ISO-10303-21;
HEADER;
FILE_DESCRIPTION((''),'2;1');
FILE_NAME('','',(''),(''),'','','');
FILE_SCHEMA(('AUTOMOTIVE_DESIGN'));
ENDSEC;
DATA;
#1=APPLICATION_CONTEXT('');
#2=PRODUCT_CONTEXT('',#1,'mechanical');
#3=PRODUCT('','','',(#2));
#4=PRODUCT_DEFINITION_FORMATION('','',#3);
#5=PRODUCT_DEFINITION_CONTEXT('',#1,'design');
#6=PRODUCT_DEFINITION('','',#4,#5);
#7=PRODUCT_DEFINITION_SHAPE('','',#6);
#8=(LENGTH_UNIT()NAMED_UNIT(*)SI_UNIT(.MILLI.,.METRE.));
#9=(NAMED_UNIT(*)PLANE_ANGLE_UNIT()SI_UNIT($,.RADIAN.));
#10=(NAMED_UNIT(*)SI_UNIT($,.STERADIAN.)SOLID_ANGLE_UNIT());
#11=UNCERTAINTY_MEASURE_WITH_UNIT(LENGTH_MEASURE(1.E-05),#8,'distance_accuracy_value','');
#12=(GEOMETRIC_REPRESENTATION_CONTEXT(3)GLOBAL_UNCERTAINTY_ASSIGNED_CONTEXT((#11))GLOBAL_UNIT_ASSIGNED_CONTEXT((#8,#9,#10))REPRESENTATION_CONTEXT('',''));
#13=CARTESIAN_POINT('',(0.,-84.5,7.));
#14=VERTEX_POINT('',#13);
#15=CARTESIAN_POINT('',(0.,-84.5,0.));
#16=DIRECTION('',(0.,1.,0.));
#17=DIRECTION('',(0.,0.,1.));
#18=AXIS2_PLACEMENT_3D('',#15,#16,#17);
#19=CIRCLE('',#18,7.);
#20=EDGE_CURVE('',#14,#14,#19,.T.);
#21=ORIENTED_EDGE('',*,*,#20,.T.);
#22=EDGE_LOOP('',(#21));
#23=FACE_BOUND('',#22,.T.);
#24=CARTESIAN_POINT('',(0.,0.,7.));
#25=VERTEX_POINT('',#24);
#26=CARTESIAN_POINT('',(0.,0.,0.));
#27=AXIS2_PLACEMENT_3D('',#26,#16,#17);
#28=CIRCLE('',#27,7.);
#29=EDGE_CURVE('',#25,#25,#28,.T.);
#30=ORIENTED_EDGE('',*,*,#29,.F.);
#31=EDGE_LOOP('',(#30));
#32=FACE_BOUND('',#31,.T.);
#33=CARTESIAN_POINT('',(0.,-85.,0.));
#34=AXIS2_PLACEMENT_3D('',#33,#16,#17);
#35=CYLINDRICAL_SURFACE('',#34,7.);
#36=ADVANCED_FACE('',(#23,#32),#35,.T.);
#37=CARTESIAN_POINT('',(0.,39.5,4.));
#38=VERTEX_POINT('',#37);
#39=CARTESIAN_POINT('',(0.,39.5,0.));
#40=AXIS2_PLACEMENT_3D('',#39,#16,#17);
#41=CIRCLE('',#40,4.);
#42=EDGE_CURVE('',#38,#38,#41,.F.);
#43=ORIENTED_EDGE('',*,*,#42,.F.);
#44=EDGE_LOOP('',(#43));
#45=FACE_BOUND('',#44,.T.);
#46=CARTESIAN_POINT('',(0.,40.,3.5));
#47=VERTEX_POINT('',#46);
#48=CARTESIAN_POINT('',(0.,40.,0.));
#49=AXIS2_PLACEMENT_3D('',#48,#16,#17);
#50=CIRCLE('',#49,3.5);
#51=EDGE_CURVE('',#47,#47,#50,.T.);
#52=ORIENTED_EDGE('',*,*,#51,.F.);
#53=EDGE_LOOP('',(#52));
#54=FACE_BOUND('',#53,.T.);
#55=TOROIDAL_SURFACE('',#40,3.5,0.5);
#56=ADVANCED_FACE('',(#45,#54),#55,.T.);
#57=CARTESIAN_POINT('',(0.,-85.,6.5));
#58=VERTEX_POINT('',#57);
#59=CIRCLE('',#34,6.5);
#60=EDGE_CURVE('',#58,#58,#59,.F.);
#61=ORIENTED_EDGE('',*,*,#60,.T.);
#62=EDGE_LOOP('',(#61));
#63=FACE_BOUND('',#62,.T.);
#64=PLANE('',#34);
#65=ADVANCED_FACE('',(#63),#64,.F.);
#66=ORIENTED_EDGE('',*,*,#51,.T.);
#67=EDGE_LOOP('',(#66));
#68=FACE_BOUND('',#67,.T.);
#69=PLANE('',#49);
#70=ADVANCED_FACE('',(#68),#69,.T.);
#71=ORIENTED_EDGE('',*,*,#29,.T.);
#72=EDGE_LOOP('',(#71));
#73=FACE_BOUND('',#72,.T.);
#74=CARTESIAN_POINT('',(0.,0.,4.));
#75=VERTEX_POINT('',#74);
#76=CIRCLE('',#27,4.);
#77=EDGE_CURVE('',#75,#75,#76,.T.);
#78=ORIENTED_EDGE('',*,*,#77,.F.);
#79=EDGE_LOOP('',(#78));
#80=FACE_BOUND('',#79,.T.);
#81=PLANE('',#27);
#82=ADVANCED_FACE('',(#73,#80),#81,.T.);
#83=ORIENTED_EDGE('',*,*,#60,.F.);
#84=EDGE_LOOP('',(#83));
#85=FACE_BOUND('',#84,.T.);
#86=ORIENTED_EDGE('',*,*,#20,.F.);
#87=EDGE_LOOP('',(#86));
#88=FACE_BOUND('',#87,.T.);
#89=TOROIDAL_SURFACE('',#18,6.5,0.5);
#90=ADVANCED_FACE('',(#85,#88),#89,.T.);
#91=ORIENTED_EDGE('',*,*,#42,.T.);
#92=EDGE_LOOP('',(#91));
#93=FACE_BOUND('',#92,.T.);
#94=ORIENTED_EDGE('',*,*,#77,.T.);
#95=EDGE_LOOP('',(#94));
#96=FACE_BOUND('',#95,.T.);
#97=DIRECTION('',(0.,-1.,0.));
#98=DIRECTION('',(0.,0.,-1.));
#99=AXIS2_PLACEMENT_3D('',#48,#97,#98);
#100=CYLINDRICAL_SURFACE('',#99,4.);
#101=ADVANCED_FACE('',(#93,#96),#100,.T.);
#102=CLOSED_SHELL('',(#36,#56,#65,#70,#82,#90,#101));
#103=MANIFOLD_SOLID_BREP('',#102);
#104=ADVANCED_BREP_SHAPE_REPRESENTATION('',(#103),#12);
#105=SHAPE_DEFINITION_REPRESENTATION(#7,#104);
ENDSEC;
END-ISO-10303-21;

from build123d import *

# Parameters (mm, degrees)
SKETCH1_R           = 4
BOSS_EXTRUDE1_DEPTH = 40
SKETCH1_3_R         = 7
BOSS_EXTRUDE2_DEPTH = 85
FILLET1_R           = 0.5


with BuildPart() as part:
    # Sketch1 → Boss-Extrude1 (new body)
    with BuildSketch(Plane(origin=(0, 0, 0), x_dir=(1, 0, 0), z_dir=(0, 1, 0))):
        Circle(SKETCH1_R)
    extrude(amount=BOSS_EXTRUDE1_DEPTH)

    # Sketch1<3> → Boss-Extrude2 (add)
    with BuildSketch(Plane(origin=(0, 0, 0), x_dir=(1, 0, 0), z_dir=(0, 1, 0))):
        Circle(SKETCH1_3_R)
    extrude(amount=-BOSS_EXTRUDE2_DEPTH)

    # Fillet1
    fillet1_edges = [part.edges().sort_by_distance(p)[0] for p in [
        (-7, -85, 0),
        (-4, 40, 0),
    ]]
    fillet(fillet1_edges, radius=FILLET1_R)


solid = part.part
